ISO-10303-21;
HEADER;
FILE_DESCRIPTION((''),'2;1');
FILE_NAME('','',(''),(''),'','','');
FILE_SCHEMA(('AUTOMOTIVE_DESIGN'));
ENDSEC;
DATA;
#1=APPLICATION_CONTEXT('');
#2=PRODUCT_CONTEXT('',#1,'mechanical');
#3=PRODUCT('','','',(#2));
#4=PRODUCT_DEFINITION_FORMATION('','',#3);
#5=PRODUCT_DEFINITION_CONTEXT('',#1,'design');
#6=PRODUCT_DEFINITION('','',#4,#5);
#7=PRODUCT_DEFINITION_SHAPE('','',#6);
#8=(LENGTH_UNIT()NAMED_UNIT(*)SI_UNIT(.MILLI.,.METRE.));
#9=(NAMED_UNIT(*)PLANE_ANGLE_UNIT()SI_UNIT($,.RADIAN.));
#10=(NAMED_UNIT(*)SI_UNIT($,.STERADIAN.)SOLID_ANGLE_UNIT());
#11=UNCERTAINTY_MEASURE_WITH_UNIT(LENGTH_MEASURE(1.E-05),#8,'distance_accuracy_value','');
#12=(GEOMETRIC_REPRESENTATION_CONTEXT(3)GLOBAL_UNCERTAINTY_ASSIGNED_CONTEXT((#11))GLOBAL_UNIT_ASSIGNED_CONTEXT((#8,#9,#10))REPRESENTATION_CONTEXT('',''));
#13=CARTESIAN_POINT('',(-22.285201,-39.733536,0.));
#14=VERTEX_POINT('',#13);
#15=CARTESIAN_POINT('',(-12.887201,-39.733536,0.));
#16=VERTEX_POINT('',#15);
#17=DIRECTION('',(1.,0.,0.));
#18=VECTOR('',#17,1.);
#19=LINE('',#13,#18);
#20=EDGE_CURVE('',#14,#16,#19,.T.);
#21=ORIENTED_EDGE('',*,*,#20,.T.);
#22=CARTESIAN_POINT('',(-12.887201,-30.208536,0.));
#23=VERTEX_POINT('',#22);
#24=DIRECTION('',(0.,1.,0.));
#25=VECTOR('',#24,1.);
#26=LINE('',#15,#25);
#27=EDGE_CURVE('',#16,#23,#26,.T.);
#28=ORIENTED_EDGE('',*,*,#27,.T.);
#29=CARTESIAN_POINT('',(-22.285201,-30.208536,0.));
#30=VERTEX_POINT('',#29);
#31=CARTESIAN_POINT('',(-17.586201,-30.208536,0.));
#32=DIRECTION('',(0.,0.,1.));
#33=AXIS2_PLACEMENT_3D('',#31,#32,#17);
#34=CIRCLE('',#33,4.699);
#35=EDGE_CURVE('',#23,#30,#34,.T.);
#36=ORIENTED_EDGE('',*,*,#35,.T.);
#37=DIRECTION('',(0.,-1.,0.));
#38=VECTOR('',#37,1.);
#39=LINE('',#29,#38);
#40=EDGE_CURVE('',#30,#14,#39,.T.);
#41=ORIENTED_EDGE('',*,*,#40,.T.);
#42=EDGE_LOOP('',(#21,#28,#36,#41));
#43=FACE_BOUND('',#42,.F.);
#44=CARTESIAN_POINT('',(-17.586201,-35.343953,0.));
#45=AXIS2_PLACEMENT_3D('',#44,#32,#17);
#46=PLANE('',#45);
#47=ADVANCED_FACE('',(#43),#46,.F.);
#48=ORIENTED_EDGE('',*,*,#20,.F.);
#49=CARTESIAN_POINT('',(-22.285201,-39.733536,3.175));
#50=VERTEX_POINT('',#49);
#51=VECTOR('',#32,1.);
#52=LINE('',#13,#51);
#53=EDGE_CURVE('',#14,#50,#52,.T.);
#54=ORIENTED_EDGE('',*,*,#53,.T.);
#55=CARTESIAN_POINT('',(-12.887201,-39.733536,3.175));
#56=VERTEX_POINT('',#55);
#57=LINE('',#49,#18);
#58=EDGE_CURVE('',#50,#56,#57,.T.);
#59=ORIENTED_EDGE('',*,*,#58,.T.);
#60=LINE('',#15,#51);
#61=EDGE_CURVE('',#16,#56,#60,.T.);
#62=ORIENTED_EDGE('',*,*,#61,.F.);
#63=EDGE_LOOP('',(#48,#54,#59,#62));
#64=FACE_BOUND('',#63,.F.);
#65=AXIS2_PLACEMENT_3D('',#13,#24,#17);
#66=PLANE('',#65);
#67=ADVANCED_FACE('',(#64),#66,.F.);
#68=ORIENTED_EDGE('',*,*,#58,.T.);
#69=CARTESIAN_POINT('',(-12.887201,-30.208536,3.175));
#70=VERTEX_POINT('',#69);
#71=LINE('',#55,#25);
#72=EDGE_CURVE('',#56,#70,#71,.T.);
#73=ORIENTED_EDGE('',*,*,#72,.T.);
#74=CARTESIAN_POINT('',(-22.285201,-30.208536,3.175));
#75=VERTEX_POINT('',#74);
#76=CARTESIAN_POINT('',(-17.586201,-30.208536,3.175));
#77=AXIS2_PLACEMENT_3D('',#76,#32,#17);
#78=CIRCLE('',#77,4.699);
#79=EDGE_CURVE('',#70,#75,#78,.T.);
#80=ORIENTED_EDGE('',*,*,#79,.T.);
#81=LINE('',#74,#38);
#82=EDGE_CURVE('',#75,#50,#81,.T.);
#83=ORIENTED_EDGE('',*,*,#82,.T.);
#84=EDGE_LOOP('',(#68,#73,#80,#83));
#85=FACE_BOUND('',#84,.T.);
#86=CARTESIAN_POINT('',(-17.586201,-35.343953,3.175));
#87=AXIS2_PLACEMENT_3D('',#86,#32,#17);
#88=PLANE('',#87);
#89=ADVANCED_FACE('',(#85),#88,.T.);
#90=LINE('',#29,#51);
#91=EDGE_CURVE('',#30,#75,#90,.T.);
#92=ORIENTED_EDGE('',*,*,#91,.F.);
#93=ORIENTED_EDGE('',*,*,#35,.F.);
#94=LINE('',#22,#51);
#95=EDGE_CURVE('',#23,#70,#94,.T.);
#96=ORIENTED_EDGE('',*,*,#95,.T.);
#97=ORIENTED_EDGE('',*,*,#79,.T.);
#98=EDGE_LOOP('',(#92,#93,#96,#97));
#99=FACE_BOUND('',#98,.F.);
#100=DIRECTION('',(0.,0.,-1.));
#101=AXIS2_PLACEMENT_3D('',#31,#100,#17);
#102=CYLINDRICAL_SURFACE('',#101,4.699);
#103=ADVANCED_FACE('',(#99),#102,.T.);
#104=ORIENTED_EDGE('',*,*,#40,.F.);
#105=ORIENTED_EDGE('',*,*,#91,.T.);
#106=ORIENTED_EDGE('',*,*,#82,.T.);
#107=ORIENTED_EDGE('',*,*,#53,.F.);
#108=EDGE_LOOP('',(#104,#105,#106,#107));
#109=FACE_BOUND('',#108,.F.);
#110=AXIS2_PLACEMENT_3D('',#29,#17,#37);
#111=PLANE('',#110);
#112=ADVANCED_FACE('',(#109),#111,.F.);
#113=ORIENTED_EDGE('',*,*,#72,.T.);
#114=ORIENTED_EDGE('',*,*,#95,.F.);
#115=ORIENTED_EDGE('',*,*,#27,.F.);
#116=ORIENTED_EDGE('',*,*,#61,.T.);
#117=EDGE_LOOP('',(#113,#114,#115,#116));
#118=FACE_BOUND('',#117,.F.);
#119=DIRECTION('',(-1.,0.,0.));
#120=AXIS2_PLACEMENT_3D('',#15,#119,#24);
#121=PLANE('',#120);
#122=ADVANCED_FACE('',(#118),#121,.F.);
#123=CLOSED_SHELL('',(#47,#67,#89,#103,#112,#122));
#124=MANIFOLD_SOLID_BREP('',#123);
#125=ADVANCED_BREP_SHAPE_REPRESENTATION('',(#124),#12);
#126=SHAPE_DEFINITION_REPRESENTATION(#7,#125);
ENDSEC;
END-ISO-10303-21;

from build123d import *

# Parameters (mm, degrees)
F1_DEPTH = 3.175


with BuildPart() as f1:
    # F0 (on Top) → F1 (new body)
    with BuildSketch(Plane.XY):
        with BuildLine():
            ThreePointArc((-12.887201, -30.208536), (-17.586201, -34.907536), (-22.285201, -30.208536))
            Line((-22.285201, -30.208536), (-22.285201, -39.733536))
            Line((-22.285201, -39.733536), (-12.887201, -39.733536))
            Line((-12.887201, -39.733536), (-12.887201, -30.208536))
        make_face()
        with BuildLine():
            Line((-12.887201, -30.208536), (-22.285201, -30.208536))
            ThreePointArc((-22.285201, -30.208536), (-17.586201, -34.907536), (-12.887201, -30.208536))
        make_face()
        with BuildLine():
            ThreePointArc((-12.887201, -30.208536), (-17.586201, -25.509536), (-22.285201, -30.208536))
            Line((-22.285201, -30.208536), (-12.887201, -30.208536))
        make_face()
    extrude(amount=F1_DEPTH)


solid = f1.part
